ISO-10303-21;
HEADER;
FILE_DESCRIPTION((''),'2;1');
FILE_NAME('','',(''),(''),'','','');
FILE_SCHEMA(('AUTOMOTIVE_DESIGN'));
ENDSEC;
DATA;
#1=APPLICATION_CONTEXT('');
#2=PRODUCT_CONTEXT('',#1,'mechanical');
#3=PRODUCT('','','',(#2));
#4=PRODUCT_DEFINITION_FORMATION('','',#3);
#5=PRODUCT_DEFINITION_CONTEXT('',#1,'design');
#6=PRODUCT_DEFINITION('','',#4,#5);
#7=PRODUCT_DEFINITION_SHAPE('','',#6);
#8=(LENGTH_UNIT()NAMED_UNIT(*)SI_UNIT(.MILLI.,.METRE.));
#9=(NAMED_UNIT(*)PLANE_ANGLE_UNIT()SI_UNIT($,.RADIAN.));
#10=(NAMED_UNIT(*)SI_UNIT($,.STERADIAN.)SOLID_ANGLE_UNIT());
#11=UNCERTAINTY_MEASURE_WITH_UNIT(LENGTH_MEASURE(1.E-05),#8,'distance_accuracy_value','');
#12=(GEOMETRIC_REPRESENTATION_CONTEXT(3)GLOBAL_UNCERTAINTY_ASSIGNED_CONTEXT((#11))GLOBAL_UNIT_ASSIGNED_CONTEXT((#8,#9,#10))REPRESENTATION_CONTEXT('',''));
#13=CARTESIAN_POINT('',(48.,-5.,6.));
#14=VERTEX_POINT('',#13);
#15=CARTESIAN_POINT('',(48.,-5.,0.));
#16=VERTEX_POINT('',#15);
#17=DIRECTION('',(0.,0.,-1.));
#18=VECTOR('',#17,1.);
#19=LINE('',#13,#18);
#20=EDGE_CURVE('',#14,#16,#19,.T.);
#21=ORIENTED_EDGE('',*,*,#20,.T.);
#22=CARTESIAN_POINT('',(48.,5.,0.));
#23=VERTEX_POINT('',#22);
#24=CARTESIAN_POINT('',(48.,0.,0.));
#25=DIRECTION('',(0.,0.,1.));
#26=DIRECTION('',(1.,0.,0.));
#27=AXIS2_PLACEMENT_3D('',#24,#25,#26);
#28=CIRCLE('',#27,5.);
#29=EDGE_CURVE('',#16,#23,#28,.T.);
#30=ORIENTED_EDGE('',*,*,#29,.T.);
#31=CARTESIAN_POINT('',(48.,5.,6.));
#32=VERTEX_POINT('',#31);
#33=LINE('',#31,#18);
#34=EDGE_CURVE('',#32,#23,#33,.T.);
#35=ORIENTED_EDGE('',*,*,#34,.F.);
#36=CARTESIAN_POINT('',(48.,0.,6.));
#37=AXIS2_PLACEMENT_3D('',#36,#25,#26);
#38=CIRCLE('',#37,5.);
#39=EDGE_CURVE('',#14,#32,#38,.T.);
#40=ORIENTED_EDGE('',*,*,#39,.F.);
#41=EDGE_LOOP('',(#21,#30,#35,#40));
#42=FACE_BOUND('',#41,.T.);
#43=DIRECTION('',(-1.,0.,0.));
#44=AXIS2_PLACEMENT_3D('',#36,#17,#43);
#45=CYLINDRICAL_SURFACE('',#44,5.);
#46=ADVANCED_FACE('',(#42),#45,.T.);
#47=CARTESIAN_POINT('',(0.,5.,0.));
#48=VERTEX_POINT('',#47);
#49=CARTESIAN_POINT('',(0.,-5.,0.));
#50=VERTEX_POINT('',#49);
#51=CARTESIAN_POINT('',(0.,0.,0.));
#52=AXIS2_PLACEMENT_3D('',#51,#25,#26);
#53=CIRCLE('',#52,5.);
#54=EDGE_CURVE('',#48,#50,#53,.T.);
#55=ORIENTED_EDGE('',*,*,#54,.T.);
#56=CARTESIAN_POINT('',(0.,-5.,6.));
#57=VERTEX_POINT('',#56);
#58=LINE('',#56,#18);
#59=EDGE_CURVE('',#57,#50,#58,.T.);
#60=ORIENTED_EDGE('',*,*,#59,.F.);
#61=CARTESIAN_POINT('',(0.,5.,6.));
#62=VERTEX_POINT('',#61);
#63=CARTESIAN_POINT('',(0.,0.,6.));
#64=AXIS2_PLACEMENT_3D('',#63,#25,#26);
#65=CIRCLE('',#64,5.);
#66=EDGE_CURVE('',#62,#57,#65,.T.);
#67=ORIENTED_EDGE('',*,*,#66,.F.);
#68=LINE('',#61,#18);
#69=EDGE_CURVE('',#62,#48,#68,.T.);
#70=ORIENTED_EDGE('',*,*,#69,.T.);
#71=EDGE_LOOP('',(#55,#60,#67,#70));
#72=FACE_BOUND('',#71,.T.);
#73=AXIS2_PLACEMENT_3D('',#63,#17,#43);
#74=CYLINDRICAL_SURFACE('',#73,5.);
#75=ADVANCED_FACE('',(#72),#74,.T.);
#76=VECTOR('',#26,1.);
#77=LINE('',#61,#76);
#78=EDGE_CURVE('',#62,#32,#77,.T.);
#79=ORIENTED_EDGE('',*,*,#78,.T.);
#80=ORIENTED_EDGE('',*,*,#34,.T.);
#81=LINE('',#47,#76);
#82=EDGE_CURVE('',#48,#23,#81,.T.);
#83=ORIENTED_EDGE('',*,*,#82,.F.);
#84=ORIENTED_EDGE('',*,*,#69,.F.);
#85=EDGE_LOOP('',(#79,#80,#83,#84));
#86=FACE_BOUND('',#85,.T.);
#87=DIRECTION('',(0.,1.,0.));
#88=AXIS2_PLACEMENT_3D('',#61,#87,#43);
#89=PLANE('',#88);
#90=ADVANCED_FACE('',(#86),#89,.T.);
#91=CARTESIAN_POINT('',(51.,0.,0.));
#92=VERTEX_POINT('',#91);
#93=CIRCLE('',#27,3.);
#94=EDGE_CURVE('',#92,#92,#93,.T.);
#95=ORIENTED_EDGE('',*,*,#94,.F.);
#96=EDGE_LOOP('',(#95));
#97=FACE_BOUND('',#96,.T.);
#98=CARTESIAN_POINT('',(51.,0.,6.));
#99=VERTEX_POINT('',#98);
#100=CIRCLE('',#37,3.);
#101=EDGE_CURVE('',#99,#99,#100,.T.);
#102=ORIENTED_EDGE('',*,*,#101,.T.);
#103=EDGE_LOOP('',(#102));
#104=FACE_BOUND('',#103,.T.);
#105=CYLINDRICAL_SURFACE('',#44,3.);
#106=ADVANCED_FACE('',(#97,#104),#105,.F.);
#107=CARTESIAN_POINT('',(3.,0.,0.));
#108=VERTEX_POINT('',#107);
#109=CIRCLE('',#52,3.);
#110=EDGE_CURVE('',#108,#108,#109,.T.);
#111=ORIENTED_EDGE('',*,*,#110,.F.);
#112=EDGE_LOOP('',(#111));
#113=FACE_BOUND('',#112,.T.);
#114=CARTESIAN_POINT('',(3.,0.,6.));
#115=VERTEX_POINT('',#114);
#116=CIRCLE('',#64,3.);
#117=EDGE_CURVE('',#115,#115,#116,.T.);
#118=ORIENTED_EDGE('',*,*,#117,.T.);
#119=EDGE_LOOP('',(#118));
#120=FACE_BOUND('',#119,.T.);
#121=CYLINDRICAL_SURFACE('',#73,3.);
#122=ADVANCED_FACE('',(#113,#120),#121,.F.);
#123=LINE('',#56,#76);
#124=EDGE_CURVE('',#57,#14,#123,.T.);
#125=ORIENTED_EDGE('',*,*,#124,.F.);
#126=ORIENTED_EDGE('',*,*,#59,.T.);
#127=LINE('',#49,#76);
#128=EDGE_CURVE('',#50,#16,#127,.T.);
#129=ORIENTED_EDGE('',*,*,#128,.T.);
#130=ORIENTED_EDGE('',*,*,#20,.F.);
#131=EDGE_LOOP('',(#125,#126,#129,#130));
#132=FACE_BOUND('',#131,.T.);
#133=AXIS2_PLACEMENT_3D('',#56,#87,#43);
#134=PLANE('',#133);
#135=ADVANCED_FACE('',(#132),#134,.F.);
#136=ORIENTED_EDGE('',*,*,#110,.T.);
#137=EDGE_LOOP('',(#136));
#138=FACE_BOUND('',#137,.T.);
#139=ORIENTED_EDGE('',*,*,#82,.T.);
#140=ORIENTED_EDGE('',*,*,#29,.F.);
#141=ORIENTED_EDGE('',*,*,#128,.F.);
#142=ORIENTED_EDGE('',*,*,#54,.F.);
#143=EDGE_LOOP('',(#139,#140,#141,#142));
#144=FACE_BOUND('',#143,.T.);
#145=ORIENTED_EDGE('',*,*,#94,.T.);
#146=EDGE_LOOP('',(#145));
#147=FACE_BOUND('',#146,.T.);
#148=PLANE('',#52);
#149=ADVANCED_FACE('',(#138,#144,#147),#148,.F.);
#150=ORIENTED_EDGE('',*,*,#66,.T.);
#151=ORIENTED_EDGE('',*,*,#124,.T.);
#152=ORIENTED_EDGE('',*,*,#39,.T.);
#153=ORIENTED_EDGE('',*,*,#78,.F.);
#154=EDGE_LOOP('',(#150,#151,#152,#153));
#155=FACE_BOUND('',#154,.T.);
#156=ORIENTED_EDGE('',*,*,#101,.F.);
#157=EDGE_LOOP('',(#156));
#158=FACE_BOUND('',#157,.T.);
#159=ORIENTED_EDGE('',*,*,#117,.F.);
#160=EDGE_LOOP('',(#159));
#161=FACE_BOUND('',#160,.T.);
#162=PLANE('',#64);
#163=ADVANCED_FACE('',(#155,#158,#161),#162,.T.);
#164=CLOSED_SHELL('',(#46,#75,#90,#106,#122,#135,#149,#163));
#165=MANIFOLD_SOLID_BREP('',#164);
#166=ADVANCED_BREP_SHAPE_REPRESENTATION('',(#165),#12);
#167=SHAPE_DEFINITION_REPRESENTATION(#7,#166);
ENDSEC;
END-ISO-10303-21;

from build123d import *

# Parameters (mm, degrees)
SKETCH1_R           = 3
BOSS_EXTRUDE1_DEPTH = 6


with BuildPart() as part:
    # Sketch1 → Boss-Extrude1 (new body)
    with BuildSketch(Plane.XY):
        with BuildLine():
            ThreePointArc((0, 5), (-5, 0), (0, -5))
            Line((0, -5), (48, -5))
            ThreePointArc((48, -5), (53, 0), (48, 5))
            Line((48, 5), (0, 5))
        make_face()
        Circle(SKETCH1_R, mode=Mode.SUBTRACT)
        with Locations((48, 0)):
            Circle(SKETCH1_R, mode=Mode.SUBTRACT)
    extrude(amount=BOSS_EXTRUDE1_DEPTH)


solid = part.part
